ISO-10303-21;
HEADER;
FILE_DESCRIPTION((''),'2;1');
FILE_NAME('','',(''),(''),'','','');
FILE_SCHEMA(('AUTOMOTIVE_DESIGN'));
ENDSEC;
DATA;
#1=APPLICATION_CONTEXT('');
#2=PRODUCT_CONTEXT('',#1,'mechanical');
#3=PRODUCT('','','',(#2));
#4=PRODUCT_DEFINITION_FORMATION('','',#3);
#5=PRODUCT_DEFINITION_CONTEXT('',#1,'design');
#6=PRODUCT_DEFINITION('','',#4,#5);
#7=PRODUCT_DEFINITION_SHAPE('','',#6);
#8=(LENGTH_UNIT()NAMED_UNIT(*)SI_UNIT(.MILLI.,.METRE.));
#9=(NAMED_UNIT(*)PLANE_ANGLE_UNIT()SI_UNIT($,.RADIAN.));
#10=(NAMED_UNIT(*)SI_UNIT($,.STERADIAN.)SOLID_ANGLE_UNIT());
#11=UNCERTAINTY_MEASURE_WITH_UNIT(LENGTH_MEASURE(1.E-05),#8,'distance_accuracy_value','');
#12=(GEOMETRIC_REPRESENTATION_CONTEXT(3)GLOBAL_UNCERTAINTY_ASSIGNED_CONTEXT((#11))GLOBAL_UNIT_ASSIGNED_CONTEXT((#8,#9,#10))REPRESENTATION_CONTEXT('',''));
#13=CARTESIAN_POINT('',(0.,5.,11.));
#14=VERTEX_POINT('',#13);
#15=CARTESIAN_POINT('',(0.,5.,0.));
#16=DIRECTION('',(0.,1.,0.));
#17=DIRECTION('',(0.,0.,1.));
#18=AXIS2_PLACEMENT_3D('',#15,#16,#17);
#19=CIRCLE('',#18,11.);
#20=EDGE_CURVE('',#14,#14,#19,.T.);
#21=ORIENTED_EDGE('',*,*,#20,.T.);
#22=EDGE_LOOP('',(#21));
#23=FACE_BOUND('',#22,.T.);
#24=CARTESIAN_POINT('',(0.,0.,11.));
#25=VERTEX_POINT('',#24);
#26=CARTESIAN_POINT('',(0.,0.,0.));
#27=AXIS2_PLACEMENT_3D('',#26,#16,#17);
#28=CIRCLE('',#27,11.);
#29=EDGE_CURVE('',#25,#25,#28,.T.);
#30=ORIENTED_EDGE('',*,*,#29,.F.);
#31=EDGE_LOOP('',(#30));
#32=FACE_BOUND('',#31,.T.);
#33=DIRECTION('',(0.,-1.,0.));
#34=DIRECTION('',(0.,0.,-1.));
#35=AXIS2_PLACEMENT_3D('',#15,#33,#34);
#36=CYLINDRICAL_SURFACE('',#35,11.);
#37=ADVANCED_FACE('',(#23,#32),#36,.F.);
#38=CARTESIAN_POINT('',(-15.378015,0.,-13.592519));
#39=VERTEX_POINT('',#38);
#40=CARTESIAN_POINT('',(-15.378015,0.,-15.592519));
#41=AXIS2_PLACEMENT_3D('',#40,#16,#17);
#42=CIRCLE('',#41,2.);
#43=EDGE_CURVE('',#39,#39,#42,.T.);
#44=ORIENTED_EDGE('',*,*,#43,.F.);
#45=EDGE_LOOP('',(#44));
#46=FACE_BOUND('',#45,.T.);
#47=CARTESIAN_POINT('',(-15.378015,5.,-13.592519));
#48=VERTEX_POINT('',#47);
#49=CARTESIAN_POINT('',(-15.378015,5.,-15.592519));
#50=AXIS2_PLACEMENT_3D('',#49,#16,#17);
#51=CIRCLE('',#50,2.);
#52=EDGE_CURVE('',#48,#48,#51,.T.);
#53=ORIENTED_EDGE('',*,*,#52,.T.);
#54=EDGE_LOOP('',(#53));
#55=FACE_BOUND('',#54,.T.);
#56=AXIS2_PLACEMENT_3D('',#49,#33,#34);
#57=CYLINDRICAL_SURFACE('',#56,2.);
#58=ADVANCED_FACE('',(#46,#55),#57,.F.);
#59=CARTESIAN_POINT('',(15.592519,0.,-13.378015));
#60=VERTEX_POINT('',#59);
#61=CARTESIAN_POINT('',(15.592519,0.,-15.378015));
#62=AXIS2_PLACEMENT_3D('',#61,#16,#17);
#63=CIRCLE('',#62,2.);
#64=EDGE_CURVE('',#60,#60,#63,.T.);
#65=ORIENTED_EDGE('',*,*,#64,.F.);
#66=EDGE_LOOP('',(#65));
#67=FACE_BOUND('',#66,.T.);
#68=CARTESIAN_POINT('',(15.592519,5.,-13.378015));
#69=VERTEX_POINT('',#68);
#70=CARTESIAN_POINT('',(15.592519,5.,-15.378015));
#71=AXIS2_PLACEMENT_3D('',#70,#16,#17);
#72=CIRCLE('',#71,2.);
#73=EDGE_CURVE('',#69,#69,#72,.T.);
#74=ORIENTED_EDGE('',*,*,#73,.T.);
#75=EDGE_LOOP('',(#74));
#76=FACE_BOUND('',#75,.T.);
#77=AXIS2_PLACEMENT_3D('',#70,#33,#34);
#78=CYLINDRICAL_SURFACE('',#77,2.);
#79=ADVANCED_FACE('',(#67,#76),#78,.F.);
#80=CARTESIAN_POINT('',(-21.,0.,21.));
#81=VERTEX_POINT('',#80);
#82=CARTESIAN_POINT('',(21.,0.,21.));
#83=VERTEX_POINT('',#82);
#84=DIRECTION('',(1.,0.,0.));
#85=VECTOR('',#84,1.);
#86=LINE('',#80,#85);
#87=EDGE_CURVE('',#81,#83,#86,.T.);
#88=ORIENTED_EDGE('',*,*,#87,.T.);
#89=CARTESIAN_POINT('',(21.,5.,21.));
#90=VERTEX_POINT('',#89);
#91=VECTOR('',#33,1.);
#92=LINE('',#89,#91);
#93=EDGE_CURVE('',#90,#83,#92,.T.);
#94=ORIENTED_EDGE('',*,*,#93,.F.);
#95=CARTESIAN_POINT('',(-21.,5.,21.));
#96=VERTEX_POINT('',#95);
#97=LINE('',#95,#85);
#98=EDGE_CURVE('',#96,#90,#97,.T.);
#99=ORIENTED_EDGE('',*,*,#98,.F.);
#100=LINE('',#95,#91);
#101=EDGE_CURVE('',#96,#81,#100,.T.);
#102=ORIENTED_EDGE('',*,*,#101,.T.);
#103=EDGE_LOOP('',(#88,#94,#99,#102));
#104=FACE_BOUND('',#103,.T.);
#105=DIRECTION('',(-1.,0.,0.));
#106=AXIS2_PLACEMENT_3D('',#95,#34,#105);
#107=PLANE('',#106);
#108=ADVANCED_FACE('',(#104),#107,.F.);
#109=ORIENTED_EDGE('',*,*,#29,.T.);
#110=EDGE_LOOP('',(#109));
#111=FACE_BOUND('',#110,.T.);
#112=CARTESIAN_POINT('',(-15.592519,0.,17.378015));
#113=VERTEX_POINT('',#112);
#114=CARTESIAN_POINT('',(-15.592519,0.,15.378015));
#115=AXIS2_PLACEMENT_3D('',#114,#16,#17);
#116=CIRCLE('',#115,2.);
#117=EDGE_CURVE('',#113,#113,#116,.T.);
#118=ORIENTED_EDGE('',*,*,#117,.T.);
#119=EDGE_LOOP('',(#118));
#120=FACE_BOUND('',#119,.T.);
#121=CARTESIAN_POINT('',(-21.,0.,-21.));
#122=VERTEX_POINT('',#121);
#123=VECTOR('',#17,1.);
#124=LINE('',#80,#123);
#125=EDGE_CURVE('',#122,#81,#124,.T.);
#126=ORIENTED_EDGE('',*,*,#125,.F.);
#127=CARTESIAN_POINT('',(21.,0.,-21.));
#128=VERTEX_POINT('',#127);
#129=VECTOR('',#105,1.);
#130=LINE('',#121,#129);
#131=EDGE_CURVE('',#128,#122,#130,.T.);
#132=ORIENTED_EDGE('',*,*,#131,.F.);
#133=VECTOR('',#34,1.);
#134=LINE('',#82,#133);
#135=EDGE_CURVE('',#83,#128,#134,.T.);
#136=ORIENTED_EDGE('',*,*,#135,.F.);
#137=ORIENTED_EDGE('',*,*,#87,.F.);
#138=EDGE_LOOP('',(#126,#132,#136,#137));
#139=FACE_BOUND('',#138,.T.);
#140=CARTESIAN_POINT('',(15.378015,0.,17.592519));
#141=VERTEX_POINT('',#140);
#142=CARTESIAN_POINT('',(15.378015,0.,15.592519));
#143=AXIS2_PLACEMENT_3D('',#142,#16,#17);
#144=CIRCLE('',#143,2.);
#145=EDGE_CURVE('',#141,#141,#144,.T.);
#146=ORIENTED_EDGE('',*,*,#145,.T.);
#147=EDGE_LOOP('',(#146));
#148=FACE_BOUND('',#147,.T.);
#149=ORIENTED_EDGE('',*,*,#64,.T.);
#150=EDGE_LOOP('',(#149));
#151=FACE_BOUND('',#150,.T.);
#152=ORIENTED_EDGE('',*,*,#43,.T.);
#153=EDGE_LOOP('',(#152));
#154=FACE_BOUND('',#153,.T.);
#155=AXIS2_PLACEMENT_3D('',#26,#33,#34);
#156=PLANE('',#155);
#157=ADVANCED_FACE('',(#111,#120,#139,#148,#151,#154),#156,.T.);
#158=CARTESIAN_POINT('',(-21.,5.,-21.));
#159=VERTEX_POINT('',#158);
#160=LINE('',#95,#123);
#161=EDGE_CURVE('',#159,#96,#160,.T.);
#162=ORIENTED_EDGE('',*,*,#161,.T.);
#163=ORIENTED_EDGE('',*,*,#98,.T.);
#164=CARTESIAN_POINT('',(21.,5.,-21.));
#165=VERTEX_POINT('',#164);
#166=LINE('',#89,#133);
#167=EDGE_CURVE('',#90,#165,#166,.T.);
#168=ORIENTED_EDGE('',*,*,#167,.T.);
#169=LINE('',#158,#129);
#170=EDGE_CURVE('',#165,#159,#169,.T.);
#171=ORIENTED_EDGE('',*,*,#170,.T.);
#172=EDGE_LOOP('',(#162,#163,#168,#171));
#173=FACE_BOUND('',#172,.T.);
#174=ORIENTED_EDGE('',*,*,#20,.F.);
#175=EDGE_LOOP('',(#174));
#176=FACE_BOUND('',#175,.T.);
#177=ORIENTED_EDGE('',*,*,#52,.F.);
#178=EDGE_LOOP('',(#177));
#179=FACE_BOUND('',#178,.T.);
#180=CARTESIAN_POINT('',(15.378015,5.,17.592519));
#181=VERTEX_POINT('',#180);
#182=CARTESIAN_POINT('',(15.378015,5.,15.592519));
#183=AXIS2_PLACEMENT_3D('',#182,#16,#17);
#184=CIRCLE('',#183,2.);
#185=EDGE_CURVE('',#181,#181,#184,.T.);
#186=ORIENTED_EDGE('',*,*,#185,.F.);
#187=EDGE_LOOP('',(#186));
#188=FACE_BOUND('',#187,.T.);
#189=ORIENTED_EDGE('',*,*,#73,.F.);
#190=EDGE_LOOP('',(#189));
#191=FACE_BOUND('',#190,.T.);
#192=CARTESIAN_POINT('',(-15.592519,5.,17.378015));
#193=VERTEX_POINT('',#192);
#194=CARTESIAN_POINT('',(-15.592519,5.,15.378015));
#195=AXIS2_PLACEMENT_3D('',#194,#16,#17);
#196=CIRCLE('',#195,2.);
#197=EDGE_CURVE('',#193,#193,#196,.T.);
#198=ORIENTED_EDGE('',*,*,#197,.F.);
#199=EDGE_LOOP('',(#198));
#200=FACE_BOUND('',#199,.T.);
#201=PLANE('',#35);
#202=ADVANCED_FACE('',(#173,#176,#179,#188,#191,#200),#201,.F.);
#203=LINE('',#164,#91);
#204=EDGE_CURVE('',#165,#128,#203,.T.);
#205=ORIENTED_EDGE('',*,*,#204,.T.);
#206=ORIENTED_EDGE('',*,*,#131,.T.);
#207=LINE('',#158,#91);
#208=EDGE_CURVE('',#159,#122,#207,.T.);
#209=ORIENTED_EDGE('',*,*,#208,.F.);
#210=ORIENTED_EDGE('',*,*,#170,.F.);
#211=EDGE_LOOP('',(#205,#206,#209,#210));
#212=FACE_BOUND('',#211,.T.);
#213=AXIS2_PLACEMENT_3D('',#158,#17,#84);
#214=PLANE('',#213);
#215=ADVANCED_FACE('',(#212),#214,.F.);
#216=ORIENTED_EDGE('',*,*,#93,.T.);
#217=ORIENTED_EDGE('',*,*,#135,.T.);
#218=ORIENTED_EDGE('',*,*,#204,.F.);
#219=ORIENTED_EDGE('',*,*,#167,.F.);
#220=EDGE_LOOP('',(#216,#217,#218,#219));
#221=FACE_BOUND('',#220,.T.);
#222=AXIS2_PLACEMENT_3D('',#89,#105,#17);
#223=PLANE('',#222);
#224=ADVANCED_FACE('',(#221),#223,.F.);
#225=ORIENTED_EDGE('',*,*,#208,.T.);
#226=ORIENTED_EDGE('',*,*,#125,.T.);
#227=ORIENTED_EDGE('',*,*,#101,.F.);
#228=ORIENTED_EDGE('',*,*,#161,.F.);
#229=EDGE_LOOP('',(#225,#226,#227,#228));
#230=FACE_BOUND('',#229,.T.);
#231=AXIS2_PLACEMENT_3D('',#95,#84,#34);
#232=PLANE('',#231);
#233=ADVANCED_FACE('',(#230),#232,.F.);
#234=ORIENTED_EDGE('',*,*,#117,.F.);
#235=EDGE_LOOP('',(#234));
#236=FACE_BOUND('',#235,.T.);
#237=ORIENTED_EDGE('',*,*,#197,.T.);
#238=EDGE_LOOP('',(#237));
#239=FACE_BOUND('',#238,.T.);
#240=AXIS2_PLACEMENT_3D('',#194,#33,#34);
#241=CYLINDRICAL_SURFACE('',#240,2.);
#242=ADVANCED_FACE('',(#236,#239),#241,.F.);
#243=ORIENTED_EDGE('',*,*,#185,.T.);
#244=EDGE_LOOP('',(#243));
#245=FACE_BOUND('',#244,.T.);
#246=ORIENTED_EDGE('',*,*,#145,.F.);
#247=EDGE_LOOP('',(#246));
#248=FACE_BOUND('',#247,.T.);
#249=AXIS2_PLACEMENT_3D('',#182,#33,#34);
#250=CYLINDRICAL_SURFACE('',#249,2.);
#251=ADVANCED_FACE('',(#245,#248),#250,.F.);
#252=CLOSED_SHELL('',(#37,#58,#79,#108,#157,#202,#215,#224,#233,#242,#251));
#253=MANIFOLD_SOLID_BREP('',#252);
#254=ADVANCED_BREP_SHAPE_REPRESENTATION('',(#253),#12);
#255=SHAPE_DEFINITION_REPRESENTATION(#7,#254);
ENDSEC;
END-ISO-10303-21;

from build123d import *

# Parameters (mm, degrees)
SKETCH1_W           = 42
SKETCH1_H           = 42
SKETCH1_R           = 11
SKETCH1_R_2         = 2
BOSS_EXTRUDE1_DEPTH = 5


with BuildPart() as part:
    # Sketch1 → Boss-Extrude1 (new body)
    with BuildSketch(Plane(origin=(0, 0, 0), x_dir=(1, 0, 0), z_dir=(0, 1, 0))):
        Rectangle(SKETCH1_W, SKETCH1_H)
        with Locations(Location((0, 0, 0), (0, 0, 270))):
            Circle(SKETCH1_R, mode=Mode.SUBTRACT)
        with Locations(Location((-15.592519129, -15.378015061, 0), (0, 0, 270))):
            Circle(SKETCH1_R_2, mode=Mode.SUBTRACT)
        with Locations(Location((-15.378015061, 15.592519129, 0), (0, 0, 270))):
            Circle(SKETCH1_R_2, mode=Mode.SUBTRACT)
        with Locations(Location((15.592519129, 15.378015061, 0), (0, 0, 270))):
            Circle(SKETCH1_R_2, mode=Mode.SUBTRACT)
        with Locations(Location((15.378015061, -15.592519129, 0), (0, 0, 270))):
            Circle(SKETCH1_R_2, mode=Mode.SUBTRACT)
    extrude(amount=BOSS_EXTRUDE1_DEPTH)


solid = part.part
